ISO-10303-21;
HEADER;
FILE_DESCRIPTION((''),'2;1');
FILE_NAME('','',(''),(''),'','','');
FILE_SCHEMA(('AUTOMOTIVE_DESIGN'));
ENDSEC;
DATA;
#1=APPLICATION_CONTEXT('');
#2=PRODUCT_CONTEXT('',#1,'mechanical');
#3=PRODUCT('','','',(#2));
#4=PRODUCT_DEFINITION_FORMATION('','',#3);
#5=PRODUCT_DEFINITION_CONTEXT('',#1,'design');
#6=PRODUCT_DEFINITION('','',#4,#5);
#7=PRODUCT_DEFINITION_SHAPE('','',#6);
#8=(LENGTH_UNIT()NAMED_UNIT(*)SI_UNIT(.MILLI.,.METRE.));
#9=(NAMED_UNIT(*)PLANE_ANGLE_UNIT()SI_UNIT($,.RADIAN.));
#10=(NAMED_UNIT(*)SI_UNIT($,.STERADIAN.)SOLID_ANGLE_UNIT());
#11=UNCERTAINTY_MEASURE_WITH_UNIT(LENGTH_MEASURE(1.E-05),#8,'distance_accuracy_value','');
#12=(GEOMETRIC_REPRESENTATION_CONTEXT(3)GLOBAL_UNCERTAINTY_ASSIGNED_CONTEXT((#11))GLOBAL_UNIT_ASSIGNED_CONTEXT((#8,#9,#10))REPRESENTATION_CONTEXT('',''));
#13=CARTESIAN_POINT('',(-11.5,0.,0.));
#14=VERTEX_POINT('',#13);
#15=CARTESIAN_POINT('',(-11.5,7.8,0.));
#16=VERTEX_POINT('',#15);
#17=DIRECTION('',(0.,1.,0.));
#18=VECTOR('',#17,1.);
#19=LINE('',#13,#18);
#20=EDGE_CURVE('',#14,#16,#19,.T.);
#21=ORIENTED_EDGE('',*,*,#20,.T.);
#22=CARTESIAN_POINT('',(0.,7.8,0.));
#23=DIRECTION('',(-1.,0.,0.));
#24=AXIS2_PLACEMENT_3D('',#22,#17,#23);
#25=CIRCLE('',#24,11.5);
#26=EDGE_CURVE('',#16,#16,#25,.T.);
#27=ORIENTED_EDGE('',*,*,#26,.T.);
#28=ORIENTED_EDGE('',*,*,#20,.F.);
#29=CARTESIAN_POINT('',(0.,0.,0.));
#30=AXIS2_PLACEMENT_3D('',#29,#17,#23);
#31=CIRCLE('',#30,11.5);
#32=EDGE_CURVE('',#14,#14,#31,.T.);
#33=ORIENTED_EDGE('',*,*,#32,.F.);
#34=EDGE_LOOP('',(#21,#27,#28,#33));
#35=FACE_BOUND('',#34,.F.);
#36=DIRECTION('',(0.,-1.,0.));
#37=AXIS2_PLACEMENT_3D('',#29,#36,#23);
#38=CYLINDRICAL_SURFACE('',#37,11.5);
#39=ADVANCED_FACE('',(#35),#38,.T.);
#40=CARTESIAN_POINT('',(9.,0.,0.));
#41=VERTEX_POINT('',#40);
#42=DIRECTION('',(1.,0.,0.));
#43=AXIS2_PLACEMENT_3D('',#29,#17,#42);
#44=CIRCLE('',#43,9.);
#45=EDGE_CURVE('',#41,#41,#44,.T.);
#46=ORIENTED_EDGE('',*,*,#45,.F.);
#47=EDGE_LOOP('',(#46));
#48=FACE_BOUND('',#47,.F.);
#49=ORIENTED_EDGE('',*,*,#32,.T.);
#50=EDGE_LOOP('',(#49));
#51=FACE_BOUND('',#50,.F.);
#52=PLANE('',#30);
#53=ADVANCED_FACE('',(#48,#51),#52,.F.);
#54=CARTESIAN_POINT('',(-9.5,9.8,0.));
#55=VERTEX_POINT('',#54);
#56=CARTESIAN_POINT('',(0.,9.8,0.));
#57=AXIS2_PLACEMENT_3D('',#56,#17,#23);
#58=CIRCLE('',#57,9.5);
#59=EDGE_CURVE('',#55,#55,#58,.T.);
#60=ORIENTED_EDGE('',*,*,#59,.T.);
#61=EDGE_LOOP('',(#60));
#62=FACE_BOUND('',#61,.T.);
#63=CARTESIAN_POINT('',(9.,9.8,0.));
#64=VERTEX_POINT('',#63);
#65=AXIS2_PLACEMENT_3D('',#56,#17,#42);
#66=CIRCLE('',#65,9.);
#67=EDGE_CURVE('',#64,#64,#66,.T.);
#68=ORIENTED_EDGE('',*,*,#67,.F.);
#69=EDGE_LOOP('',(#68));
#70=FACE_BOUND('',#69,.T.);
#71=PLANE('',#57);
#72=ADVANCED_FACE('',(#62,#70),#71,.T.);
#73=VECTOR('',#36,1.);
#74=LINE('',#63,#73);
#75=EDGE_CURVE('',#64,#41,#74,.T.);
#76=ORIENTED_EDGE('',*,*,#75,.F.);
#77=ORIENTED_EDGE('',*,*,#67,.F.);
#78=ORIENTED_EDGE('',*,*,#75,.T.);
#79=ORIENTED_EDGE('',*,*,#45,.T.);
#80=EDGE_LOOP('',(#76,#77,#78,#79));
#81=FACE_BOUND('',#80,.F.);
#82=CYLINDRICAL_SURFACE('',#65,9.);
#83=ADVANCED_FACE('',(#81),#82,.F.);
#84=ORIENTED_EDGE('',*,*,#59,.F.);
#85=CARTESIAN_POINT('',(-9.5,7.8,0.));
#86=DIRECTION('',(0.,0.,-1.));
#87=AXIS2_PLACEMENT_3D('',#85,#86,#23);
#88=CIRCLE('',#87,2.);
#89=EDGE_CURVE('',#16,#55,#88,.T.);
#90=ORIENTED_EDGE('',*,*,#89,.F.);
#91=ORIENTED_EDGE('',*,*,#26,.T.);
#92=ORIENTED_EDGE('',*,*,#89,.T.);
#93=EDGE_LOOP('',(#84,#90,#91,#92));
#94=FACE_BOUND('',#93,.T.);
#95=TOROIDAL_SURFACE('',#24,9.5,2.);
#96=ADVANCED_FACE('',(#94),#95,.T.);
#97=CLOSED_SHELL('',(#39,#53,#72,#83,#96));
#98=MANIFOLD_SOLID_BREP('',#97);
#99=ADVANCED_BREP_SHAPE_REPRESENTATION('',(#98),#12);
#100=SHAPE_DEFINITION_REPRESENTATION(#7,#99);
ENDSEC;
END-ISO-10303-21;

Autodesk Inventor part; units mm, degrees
ref_plane "YZ Plane" through (0, 0, 0) normal (1, 0, 0) x (0, 1, 0)
ref_plane "XZ Plane" through (0, 0, 0) normal (0, 1, 0) x (-1, 0, 0)
ref_plane "XY Plane" through (0, 0, 0) normal (0, 0, 1) x (1, 0, 0)
sketch "Sketch2" plane through (0, 0, 0) normal (0, 1, 0) x (-1, 0, 0)
  circle A0 centre (0, 0) radius 11.5
  dimension "d2" = 23
extrude "Extrusion1" add sketch "Sketch2" along normal blind 9.8
sketch "Sketch3" plane through (0, 9.8, 0) normal (0, 1, 0) x (1, 0, 0)
  circle A0 centre (0, 0) radius 9
  dimension "d5" = 18
extrude "Extrusion2" cut sketch "Sketch3" against normal through all
fillet "Fillet1" radius 2 1 edges at (11.5, 9.8, 0)
properties part number "Tires"
